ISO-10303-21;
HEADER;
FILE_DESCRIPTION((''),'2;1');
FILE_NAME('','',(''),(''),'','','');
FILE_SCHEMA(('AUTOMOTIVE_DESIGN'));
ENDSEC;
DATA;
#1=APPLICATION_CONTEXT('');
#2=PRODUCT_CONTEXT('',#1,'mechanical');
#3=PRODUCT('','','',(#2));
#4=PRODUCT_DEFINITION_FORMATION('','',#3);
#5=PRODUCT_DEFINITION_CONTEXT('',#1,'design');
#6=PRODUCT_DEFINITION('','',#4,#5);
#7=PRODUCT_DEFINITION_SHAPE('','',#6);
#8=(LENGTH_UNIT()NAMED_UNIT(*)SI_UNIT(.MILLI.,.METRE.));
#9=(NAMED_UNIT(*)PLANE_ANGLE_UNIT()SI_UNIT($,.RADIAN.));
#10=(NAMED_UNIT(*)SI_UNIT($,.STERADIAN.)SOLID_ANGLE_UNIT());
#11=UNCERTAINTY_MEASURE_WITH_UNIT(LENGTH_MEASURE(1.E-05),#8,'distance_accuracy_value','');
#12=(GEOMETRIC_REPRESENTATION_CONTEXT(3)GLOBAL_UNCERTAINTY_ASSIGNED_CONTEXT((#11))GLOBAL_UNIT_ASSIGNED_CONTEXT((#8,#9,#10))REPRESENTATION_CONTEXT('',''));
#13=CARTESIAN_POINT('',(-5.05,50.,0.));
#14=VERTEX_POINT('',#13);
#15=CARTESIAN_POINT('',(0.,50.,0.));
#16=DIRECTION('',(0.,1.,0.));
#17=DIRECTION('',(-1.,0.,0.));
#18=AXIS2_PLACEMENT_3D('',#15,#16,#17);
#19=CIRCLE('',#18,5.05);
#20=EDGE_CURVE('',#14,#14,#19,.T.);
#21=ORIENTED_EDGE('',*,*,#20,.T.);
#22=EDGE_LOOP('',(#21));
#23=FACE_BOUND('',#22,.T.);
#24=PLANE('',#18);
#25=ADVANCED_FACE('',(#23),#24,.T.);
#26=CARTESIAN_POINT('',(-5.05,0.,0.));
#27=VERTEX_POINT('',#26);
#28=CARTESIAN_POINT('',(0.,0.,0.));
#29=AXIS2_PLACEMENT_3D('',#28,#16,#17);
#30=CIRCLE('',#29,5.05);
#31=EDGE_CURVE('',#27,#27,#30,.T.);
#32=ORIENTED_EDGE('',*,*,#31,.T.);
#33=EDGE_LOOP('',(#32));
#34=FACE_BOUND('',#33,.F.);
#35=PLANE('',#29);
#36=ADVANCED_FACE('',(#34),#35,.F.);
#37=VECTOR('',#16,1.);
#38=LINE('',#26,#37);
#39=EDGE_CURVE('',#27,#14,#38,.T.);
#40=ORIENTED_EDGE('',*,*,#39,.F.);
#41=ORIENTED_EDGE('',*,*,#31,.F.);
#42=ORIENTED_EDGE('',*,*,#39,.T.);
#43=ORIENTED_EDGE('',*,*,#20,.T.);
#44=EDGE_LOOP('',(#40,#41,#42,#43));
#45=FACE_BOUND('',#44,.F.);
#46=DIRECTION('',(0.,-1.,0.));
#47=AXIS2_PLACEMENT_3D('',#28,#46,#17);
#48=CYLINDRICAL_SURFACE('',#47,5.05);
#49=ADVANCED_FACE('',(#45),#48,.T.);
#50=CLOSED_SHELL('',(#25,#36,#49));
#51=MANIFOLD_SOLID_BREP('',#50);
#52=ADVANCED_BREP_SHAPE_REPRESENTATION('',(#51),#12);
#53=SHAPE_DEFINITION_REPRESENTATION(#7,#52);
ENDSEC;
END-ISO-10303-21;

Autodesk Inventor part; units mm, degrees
ref_plane "YZ Plane" through (0, 0, 0) normal (1, 0, 0) x (0, 1, 0)
ref_plane "XZ Plane" through (0, 0, 0) normal (0, 1, 0) x (-1, 0, 0)
ref_plane "XY Plane" through (0, 0, 0) normal (0, 0, 1) x (1, 0, 0)
sketch "Sketch1" plane through (0, 0, 0) normal (0, 1, 0) x (-1, 0, 0)
  circle A0 centre (0, 0) radius 5.05
  dimension "d0" = 10.1
extrude "Extrusion1" add sketch "Sketch1" along normal blind 50
properties part number "EJE BRAZO_3DPrint"
